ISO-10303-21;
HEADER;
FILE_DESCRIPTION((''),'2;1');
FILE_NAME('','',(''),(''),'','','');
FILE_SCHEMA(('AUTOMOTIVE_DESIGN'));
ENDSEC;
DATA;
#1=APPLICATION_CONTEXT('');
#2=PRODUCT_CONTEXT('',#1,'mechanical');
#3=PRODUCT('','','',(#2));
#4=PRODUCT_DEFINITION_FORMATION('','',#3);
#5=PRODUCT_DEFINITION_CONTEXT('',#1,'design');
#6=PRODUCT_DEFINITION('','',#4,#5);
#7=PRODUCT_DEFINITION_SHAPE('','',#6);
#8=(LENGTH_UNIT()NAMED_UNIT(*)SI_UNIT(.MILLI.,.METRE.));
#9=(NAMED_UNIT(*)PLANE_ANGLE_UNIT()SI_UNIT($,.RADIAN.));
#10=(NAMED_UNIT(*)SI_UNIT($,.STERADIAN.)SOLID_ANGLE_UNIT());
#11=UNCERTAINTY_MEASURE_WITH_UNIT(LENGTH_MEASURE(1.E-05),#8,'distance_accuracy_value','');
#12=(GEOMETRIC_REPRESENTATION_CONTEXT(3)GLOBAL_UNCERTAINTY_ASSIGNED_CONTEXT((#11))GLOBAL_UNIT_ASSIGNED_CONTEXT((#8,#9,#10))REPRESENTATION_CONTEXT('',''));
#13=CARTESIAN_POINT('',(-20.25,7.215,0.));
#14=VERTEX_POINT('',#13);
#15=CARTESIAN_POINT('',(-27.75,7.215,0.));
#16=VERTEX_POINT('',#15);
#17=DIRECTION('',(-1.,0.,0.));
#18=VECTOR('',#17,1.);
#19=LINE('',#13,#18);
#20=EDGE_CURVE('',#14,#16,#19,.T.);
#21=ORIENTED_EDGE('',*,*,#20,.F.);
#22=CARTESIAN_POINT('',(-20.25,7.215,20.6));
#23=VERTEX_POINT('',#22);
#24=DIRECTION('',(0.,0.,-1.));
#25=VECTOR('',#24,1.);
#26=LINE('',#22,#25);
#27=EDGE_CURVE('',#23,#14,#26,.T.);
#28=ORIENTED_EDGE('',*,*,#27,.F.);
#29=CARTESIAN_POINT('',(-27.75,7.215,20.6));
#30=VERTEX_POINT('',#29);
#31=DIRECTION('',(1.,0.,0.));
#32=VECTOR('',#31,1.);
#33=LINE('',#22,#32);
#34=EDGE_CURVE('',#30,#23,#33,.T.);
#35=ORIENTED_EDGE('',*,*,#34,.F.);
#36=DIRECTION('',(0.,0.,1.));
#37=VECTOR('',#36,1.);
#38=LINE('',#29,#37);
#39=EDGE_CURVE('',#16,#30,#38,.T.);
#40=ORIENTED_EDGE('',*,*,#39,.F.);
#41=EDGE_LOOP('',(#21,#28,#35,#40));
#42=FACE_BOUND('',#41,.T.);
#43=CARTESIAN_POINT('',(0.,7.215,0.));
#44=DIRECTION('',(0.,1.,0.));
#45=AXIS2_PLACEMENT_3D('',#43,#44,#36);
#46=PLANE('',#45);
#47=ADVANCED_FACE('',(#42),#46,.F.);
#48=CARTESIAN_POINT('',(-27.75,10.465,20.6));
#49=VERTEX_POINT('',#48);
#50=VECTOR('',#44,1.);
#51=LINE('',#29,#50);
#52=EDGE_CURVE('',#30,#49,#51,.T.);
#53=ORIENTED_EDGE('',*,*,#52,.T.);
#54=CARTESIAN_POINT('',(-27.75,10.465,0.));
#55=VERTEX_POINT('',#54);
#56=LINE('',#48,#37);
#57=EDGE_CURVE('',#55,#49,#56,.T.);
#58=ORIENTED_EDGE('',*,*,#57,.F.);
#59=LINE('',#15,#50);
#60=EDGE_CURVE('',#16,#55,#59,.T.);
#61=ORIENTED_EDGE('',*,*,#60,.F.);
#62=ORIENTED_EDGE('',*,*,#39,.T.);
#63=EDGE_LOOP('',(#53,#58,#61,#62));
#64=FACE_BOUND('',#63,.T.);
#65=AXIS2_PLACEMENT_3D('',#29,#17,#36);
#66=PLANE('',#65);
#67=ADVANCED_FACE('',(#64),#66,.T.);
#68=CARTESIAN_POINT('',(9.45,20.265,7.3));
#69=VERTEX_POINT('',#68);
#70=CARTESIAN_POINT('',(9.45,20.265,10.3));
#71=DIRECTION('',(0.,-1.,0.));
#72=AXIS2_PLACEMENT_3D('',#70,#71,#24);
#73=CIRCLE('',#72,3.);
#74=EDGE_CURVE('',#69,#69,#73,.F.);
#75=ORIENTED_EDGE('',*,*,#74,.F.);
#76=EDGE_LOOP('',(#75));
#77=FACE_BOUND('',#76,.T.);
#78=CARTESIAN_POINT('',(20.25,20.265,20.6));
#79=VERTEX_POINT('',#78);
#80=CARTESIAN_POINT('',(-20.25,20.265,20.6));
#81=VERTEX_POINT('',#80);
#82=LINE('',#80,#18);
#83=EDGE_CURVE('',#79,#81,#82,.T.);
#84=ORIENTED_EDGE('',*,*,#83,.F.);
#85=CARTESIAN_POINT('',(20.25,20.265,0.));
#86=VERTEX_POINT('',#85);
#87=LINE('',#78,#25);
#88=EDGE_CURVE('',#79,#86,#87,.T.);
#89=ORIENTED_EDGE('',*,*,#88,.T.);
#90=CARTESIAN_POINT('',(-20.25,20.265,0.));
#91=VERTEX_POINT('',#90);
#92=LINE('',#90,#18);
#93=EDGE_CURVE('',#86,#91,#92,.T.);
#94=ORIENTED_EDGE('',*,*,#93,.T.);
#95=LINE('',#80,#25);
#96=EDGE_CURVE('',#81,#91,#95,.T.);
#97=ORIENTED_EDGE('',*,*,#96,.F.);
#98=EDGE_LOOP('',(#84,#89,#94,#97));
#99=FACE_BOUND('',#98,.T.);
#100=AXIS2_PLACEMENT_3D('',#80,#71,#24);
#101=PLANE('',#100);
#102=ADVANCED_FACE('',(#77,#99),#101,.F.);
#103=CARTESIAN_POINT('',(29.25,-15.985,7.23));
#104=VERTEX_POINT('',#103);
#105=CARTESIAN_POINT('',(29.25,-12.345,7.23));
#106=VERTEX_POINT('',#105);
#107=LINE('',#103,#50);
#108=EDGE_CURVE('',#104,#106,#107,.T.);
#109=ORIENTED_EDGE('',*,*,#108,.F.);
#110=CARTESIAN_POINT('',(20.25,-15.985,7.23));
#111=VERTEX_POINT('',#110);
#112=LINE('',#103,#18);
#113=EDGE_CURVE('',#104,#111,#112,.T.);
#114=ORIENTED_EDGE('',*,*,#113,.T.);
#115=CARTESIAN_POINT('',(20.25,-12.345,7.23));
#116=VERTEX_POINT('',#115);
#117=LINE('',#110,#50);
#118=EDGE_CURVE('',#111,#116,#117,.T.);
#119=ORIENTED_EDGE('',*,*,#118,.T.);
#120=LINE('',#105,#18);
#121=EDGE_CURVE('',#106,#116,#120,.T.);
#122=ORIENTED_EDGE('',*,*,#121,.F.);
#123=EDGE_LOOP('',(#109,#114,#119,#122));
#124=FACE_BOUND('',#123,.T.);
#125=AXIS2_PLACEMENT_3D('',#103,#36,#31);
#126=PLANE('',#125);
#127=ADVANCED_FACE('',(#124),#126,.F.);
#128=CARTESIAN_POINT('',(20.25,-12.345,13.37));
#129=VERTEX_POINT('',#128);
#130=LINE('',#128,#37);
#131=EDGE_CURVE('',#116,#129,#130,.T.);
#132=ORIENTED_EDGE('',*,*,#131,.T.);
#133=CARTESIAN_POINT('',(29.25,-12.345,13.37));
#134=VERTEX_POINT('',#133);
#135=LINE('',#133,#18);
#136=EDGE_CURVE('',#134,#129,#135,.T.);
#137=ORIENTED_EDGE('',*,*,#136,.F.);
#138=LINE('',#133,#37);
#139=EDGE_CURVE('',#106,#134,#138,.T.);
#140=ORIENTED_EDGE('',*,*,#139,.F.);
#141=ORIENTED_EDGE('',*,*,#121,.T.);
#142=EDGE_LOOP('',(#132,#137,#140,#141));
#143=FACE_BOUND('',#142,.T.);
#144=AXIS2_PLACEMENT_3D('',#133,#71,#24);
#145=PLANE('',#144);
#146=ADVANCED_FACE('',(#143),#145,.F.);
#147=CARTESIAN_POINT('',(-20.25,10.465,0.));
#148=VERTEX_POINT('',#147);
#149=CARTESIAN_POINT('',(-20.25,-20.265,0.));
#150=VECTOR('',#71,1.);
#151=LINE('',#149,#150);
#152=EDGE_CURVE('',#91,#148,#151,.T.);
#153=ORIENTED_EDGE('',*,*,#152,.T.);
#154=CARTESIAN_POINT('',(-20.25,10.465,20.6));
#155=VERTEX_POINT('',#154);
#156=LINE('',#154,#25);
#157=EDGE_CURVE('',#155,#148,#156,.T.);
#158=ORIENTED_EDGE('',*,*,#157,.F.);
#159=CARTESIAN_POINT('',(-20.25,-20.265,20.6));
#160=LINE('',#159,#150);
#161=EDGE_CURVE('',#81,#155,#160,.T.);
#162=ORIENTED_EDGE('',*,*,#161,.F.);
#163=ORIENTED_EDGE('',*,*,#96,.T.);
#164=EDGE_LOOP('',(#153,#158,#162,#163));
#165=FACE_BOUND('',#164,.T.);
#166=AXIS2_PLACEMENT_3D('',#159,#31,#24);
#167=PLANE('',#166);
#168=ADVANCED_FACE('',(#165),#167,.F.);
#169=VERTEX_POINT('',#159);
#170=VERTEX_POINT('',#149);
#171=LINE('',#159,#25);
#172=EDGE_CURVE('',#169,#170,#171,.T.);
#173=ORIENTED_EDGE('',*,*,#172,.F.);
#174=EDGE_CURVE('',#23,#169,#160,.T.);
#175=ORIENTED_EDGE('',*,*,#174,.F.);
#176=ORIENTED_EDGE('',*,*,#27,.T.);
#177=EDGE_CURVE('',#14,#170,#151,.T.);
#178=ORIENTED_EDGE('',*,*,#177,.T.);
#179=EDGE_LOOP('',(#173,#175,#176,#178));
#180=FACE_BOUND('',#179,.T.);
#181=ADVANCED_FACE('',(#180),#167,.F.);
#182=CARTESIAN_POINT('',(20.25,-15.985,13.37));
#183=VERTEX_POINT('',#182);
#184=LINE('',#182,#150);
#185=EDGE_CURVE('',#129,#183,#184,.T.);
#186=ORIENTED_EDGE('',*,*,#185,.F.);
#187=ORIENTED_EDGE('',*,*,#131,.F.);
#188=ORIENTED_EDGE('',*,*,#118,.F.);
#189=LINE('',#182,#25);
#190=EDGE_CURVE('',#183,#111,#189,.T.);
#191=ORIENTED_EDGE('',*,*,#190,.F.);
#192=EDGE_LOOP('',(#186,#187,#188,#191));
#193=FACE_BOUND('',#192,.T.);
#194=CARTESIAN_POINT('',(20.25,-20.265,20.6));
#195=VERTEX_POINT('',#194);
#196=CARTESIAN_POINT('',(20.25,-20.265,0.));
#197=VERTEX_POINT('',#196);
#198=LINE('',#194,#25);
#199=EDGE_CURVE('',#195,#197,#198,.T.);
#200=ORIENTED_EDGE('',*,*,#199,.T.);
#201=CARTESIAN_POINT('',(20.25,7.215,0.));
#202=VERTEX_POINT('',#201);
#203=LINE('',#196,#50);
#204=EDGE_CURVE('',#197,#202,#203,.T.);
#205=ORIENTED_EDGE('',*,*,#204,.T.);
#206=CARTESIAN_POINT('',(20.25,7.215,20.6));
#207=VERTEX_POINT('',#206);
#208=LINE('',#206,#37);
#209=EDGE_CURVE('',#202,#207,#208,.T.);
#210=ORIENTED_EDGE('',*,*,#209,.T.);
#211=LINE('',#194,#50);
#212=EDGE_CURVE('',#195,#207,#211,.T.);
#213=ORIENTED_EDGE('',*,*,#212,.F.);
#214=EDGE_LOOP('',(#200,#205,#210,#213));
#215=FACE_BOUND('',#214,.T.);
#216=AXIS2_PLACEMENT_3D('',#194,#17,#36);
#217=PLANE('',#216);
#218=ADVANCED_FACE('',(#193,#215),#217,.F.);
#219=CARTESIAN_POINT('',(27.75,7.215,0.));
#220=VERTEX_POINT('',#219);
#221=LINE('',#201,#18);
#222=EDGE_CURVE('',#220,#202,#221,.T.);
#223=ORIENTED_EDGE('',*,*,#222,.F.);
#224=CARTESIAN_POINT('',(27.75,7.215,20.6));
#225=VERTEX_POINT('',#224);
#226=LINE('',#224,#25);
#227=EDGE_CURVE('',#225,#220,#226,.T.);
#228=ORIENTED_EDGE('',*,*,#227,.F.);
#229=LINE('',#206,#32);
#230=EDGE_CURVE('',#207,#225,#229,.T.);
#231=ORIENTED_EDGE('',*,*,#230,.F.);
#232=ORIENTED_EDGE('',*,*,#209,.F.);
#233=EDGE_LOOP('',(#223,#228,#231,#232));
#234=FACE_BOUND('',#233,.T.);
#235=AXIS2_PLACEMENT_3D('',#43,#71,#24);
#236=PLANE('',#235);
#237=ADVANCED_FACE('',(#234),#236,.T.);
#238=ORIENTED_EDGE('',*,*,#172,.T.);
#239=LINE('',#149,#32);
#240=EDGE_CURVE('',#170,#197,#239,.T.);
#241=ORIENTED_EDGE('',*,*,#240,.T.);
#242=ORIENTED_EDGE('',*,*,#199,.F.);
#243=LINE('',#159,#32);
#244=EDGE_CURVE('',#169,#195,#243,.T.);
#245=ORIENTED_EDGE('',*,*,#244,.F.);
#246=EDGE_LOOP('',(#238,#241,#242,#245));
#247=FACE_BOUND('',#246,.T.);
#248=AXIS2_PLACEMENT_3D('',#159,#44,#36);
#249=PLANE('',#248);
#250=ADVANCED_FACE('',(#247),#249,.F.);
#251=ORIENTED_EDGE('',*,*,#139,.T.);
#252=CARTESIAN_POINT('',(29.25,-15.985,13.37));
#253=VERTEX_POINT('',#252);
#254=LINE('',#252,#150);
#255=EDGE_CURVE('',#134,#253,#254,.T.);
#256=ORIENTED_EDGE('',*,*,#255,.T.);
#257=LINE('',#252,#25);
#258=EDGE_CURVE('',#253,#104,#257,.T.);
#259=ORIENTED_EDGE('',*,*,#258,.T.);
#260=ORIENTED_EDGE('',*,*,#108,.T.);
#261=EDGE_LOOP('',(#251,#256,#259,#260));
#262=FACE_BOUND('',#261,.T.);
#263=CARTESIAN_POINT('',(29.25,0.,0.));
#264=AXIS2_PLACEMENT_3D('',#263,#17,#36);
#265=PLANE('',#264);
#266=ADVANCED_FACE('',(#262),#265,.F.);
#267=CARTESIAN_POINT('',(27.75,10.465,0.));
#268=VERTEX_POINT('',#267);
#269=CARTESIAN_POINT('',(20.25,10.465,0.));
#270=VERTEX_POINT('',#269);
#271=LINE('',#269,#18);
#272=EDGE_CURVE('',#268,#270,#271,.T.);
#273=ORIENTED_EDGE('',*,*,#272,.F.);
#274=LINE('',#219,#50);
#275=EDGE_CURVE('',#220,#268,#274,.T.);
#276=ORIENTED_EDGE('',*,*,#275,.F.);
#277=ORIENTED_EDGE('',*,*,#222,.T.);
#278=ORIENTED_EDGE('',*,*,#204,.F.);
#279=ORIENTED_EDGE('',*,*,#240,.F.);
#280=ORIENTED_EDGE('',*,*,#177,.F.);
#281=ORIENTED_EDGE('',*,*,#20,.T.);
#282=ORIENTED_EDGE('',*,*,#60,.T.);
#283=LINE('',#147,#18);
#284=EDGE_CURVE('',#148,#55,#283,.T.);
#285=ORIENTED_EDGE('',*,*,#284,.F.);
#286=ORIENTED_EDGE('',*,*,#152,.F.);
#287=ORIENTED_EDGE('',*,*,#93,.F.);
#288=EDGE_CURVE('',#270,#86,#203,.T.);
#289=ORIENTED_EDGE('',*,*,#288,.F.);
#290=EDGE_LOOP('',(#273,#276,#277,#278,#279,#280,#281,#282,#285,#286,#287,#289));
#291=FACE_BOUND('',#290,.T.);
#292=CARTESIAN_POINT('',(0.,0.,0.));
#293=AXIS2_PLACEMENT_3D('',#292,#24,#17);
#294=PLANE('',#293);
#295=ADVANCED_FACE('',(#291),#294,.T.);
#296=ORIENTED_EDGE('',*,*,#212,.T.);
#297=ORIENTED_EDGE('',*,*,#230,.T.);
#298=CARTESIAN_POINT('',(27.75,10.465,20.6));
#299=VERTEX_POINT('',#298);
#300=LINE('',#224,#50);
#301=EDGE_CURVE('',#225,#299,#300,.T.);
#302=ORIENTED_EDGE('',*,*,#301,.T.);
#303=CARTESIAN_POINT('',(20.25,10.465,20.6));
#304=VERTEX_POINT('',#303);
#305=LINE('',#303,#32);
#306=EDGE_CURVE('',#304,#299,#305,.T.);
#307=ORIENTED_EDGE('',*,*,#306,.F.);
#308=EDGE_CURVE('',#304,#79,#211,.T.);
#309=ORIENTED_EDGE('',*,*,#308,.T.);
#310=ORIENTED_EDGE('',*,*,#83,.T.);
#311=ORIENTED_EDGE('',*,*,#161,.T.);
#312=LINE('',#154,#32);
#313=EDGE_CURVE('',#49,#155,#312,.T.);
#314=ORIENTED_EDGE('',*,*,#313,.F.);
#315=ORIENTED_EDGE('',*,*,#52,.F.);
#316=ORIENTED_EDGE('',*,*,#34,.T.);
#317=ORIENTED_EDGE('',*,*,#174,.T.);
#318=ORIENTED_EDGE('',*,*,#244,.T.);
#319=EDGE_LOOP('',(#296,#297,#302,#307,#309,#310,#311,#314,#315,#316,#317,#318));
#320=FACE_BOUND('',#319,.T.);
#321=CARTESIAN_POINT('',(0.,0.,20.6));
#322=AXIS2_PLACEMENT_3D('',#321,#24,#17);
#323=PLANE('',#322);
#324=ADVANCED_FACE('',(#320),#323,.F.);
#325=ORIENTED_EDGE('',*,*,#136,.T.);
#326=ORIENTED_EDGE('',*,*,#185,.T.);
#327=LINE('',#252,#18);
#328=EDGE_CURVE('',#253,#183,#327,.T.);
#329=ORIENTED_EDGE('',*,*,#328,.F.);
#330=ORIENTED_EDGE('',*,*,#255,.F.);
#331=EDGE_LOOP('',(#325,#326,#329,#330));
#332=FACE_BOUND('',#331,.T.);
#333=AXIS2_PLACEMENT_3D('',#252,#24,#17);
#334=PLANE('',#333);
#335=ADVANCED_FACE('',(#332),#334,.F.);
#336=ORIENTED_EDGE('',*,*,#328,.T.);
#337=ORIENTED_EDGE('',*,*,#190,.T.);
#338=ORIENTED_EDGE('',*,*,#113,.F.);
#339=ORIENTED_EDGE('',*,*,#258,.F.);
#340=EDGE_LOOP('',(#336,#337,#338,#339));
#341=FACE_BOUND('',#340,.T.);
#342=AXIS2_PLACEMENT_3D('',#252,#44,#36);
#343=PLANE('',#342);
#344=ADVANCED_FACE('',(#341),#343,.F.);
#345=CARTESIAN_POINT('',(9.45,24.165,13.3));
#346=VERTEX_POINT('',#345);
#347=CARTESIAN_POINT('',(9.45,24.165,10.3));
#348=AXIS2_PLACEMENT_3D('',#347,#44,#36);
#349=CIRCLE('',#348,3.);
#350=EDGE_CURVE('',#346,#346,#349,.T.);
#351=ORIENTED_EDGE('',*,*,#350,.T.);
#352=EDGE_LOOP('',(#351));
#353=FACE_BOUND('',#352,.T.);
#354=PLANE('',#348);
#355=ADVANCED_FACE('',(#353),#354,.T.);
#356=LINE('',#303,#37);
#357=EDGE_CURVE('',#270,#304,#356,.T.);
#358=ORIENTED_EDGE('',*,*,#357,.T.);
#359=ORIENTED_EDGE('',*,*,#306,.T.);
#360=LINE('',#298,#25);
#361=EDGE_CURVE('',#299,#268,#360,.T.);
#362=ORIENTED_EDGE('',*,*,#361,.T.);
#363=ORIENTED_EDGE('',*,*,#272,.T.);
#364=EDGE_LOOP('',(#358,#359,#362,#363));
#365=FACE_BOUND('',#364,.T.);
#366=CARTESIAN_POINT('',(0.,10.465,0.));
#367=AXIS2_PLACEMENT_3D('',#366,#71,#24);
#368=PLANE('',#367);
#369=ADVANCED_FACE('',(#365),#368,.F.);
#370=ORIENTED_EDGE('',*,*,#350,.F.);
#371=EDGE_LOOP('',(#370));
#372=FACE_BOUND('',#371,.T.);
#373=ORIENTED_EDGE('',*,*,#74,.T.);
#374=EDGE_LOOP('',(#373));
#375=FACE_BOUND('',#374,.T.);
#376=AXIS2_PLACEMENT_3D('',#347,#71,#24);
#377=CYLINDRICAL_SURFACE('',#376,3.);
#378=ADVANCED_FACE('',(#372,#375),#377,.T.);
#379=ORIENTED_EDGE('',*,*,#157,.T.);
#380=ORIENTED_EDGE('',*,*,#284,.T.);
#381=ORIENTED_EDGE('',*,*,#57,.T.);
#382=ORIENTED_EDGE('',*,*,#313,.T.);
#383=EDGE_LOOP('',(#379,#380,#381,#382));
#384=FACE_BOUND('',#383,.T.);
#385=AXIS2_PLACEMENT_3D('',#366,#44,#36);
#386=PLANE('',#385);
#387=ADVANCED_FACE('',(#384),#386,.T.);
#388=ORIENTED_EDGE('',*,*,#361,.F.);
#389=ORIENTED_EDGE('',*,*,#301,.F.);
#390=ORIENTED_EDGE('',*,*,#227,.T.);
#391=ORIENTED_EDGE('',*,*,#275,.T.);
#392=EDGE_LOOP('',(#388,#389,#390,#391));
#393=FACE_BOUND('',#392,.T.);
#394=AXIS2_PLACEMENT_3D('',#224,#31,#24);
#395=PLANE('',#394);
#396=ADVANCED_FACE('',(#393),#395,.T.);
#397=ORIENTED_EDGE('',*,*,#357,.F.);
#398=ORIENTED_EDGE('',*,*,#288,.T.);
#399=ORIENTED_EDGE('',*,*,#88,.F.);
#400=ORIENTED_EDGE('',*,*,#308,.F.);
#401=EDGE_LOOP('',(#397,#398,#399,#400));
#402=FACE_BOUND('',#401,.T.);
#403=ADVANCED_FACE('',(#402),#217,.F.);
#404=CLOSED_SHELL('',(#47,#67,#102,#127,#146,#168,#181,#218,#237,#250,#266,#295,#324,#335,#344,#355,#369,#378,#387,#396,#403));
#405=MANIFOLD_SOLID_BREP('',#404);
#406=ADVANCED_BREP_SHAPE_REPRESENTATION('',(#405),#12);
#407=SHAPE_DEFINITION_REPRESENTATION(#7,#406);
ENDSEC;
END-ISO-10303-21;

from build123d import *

# Parameters (mm, degrees)
SKETCH1_W           = 40.5
SKETCH1_H           = 40.53
BOSS_EXTRUDE1_DEPTH = 20.6
BOSS_EXTRUDE2_START = -9.8
SKETCH2_W           = 7.5
SKETCH2_H           = 20.6
BOSS_EXTRUDE2_DEPTH = 3.25
SKETCH3_R           = 3
BOSS_EXTRUDE3_DEPTH = 3.9
SKETCH4_W           = 6.14
SKETCH4_H           = 3.64
BOSS_EXTRUDE4_DEPTH = 9


with BuildPart() as part:
    # Sketch1 → Boss-Extrude1 (new body)
    with BuildSketch(Plane.XY):
        Rectangle(SKETCH1_W, SKETCH1_H)
    extrude(amount=BOSS_EXTRUDE1_DEPTH)

    # Sketch2 → Boss-Extrude2 (add)
    with BuildSketch(Plane(origin=(0, 20.265, 0), x_dir=(1, 0, 0), z_dir=(0, 1, 0)).offset(BOSS_EXTRUDE2_START)):
        with Locations((-24, -10.3)):
            Rectangle(SKETCH2_W, SKETCH2_H)
        with Locations((24, -10.3)):
            Rectangle(SKETCH2_W, SKETCH2_H)
    extrude(amount=-BOSS_EXTRUDE2_DEPTH)

    # Sketch3 → Boss-Extrude3 (add)
    with BuildSketch(Plane(origin=(0, 20.265, 0), x_dir=(1, 0, 0), z_dir=(0, 1, 0))):
        with Locations(Location((9.45, -10.3, 0), (0, 0, 90))):
            Circle(SKETCH3_R)
    extrude(amount=BOSS_EXTRUDE3_DEPTH)

    # Sketch4 → Boss-Extrude4 (add)
    with BuildSketch(Plane(origin=(20.25, 0, 0), x_dir=(0, 0, -1), z_dir=(1, 0, 0))):
        with Locations((-10.3, -14.165)):
            Rectangle(SKETCH4_W, SKETCH4_H)
    extrude(amount=BOSS_EXTRUDE4_DEPTH)


solid = part.part
